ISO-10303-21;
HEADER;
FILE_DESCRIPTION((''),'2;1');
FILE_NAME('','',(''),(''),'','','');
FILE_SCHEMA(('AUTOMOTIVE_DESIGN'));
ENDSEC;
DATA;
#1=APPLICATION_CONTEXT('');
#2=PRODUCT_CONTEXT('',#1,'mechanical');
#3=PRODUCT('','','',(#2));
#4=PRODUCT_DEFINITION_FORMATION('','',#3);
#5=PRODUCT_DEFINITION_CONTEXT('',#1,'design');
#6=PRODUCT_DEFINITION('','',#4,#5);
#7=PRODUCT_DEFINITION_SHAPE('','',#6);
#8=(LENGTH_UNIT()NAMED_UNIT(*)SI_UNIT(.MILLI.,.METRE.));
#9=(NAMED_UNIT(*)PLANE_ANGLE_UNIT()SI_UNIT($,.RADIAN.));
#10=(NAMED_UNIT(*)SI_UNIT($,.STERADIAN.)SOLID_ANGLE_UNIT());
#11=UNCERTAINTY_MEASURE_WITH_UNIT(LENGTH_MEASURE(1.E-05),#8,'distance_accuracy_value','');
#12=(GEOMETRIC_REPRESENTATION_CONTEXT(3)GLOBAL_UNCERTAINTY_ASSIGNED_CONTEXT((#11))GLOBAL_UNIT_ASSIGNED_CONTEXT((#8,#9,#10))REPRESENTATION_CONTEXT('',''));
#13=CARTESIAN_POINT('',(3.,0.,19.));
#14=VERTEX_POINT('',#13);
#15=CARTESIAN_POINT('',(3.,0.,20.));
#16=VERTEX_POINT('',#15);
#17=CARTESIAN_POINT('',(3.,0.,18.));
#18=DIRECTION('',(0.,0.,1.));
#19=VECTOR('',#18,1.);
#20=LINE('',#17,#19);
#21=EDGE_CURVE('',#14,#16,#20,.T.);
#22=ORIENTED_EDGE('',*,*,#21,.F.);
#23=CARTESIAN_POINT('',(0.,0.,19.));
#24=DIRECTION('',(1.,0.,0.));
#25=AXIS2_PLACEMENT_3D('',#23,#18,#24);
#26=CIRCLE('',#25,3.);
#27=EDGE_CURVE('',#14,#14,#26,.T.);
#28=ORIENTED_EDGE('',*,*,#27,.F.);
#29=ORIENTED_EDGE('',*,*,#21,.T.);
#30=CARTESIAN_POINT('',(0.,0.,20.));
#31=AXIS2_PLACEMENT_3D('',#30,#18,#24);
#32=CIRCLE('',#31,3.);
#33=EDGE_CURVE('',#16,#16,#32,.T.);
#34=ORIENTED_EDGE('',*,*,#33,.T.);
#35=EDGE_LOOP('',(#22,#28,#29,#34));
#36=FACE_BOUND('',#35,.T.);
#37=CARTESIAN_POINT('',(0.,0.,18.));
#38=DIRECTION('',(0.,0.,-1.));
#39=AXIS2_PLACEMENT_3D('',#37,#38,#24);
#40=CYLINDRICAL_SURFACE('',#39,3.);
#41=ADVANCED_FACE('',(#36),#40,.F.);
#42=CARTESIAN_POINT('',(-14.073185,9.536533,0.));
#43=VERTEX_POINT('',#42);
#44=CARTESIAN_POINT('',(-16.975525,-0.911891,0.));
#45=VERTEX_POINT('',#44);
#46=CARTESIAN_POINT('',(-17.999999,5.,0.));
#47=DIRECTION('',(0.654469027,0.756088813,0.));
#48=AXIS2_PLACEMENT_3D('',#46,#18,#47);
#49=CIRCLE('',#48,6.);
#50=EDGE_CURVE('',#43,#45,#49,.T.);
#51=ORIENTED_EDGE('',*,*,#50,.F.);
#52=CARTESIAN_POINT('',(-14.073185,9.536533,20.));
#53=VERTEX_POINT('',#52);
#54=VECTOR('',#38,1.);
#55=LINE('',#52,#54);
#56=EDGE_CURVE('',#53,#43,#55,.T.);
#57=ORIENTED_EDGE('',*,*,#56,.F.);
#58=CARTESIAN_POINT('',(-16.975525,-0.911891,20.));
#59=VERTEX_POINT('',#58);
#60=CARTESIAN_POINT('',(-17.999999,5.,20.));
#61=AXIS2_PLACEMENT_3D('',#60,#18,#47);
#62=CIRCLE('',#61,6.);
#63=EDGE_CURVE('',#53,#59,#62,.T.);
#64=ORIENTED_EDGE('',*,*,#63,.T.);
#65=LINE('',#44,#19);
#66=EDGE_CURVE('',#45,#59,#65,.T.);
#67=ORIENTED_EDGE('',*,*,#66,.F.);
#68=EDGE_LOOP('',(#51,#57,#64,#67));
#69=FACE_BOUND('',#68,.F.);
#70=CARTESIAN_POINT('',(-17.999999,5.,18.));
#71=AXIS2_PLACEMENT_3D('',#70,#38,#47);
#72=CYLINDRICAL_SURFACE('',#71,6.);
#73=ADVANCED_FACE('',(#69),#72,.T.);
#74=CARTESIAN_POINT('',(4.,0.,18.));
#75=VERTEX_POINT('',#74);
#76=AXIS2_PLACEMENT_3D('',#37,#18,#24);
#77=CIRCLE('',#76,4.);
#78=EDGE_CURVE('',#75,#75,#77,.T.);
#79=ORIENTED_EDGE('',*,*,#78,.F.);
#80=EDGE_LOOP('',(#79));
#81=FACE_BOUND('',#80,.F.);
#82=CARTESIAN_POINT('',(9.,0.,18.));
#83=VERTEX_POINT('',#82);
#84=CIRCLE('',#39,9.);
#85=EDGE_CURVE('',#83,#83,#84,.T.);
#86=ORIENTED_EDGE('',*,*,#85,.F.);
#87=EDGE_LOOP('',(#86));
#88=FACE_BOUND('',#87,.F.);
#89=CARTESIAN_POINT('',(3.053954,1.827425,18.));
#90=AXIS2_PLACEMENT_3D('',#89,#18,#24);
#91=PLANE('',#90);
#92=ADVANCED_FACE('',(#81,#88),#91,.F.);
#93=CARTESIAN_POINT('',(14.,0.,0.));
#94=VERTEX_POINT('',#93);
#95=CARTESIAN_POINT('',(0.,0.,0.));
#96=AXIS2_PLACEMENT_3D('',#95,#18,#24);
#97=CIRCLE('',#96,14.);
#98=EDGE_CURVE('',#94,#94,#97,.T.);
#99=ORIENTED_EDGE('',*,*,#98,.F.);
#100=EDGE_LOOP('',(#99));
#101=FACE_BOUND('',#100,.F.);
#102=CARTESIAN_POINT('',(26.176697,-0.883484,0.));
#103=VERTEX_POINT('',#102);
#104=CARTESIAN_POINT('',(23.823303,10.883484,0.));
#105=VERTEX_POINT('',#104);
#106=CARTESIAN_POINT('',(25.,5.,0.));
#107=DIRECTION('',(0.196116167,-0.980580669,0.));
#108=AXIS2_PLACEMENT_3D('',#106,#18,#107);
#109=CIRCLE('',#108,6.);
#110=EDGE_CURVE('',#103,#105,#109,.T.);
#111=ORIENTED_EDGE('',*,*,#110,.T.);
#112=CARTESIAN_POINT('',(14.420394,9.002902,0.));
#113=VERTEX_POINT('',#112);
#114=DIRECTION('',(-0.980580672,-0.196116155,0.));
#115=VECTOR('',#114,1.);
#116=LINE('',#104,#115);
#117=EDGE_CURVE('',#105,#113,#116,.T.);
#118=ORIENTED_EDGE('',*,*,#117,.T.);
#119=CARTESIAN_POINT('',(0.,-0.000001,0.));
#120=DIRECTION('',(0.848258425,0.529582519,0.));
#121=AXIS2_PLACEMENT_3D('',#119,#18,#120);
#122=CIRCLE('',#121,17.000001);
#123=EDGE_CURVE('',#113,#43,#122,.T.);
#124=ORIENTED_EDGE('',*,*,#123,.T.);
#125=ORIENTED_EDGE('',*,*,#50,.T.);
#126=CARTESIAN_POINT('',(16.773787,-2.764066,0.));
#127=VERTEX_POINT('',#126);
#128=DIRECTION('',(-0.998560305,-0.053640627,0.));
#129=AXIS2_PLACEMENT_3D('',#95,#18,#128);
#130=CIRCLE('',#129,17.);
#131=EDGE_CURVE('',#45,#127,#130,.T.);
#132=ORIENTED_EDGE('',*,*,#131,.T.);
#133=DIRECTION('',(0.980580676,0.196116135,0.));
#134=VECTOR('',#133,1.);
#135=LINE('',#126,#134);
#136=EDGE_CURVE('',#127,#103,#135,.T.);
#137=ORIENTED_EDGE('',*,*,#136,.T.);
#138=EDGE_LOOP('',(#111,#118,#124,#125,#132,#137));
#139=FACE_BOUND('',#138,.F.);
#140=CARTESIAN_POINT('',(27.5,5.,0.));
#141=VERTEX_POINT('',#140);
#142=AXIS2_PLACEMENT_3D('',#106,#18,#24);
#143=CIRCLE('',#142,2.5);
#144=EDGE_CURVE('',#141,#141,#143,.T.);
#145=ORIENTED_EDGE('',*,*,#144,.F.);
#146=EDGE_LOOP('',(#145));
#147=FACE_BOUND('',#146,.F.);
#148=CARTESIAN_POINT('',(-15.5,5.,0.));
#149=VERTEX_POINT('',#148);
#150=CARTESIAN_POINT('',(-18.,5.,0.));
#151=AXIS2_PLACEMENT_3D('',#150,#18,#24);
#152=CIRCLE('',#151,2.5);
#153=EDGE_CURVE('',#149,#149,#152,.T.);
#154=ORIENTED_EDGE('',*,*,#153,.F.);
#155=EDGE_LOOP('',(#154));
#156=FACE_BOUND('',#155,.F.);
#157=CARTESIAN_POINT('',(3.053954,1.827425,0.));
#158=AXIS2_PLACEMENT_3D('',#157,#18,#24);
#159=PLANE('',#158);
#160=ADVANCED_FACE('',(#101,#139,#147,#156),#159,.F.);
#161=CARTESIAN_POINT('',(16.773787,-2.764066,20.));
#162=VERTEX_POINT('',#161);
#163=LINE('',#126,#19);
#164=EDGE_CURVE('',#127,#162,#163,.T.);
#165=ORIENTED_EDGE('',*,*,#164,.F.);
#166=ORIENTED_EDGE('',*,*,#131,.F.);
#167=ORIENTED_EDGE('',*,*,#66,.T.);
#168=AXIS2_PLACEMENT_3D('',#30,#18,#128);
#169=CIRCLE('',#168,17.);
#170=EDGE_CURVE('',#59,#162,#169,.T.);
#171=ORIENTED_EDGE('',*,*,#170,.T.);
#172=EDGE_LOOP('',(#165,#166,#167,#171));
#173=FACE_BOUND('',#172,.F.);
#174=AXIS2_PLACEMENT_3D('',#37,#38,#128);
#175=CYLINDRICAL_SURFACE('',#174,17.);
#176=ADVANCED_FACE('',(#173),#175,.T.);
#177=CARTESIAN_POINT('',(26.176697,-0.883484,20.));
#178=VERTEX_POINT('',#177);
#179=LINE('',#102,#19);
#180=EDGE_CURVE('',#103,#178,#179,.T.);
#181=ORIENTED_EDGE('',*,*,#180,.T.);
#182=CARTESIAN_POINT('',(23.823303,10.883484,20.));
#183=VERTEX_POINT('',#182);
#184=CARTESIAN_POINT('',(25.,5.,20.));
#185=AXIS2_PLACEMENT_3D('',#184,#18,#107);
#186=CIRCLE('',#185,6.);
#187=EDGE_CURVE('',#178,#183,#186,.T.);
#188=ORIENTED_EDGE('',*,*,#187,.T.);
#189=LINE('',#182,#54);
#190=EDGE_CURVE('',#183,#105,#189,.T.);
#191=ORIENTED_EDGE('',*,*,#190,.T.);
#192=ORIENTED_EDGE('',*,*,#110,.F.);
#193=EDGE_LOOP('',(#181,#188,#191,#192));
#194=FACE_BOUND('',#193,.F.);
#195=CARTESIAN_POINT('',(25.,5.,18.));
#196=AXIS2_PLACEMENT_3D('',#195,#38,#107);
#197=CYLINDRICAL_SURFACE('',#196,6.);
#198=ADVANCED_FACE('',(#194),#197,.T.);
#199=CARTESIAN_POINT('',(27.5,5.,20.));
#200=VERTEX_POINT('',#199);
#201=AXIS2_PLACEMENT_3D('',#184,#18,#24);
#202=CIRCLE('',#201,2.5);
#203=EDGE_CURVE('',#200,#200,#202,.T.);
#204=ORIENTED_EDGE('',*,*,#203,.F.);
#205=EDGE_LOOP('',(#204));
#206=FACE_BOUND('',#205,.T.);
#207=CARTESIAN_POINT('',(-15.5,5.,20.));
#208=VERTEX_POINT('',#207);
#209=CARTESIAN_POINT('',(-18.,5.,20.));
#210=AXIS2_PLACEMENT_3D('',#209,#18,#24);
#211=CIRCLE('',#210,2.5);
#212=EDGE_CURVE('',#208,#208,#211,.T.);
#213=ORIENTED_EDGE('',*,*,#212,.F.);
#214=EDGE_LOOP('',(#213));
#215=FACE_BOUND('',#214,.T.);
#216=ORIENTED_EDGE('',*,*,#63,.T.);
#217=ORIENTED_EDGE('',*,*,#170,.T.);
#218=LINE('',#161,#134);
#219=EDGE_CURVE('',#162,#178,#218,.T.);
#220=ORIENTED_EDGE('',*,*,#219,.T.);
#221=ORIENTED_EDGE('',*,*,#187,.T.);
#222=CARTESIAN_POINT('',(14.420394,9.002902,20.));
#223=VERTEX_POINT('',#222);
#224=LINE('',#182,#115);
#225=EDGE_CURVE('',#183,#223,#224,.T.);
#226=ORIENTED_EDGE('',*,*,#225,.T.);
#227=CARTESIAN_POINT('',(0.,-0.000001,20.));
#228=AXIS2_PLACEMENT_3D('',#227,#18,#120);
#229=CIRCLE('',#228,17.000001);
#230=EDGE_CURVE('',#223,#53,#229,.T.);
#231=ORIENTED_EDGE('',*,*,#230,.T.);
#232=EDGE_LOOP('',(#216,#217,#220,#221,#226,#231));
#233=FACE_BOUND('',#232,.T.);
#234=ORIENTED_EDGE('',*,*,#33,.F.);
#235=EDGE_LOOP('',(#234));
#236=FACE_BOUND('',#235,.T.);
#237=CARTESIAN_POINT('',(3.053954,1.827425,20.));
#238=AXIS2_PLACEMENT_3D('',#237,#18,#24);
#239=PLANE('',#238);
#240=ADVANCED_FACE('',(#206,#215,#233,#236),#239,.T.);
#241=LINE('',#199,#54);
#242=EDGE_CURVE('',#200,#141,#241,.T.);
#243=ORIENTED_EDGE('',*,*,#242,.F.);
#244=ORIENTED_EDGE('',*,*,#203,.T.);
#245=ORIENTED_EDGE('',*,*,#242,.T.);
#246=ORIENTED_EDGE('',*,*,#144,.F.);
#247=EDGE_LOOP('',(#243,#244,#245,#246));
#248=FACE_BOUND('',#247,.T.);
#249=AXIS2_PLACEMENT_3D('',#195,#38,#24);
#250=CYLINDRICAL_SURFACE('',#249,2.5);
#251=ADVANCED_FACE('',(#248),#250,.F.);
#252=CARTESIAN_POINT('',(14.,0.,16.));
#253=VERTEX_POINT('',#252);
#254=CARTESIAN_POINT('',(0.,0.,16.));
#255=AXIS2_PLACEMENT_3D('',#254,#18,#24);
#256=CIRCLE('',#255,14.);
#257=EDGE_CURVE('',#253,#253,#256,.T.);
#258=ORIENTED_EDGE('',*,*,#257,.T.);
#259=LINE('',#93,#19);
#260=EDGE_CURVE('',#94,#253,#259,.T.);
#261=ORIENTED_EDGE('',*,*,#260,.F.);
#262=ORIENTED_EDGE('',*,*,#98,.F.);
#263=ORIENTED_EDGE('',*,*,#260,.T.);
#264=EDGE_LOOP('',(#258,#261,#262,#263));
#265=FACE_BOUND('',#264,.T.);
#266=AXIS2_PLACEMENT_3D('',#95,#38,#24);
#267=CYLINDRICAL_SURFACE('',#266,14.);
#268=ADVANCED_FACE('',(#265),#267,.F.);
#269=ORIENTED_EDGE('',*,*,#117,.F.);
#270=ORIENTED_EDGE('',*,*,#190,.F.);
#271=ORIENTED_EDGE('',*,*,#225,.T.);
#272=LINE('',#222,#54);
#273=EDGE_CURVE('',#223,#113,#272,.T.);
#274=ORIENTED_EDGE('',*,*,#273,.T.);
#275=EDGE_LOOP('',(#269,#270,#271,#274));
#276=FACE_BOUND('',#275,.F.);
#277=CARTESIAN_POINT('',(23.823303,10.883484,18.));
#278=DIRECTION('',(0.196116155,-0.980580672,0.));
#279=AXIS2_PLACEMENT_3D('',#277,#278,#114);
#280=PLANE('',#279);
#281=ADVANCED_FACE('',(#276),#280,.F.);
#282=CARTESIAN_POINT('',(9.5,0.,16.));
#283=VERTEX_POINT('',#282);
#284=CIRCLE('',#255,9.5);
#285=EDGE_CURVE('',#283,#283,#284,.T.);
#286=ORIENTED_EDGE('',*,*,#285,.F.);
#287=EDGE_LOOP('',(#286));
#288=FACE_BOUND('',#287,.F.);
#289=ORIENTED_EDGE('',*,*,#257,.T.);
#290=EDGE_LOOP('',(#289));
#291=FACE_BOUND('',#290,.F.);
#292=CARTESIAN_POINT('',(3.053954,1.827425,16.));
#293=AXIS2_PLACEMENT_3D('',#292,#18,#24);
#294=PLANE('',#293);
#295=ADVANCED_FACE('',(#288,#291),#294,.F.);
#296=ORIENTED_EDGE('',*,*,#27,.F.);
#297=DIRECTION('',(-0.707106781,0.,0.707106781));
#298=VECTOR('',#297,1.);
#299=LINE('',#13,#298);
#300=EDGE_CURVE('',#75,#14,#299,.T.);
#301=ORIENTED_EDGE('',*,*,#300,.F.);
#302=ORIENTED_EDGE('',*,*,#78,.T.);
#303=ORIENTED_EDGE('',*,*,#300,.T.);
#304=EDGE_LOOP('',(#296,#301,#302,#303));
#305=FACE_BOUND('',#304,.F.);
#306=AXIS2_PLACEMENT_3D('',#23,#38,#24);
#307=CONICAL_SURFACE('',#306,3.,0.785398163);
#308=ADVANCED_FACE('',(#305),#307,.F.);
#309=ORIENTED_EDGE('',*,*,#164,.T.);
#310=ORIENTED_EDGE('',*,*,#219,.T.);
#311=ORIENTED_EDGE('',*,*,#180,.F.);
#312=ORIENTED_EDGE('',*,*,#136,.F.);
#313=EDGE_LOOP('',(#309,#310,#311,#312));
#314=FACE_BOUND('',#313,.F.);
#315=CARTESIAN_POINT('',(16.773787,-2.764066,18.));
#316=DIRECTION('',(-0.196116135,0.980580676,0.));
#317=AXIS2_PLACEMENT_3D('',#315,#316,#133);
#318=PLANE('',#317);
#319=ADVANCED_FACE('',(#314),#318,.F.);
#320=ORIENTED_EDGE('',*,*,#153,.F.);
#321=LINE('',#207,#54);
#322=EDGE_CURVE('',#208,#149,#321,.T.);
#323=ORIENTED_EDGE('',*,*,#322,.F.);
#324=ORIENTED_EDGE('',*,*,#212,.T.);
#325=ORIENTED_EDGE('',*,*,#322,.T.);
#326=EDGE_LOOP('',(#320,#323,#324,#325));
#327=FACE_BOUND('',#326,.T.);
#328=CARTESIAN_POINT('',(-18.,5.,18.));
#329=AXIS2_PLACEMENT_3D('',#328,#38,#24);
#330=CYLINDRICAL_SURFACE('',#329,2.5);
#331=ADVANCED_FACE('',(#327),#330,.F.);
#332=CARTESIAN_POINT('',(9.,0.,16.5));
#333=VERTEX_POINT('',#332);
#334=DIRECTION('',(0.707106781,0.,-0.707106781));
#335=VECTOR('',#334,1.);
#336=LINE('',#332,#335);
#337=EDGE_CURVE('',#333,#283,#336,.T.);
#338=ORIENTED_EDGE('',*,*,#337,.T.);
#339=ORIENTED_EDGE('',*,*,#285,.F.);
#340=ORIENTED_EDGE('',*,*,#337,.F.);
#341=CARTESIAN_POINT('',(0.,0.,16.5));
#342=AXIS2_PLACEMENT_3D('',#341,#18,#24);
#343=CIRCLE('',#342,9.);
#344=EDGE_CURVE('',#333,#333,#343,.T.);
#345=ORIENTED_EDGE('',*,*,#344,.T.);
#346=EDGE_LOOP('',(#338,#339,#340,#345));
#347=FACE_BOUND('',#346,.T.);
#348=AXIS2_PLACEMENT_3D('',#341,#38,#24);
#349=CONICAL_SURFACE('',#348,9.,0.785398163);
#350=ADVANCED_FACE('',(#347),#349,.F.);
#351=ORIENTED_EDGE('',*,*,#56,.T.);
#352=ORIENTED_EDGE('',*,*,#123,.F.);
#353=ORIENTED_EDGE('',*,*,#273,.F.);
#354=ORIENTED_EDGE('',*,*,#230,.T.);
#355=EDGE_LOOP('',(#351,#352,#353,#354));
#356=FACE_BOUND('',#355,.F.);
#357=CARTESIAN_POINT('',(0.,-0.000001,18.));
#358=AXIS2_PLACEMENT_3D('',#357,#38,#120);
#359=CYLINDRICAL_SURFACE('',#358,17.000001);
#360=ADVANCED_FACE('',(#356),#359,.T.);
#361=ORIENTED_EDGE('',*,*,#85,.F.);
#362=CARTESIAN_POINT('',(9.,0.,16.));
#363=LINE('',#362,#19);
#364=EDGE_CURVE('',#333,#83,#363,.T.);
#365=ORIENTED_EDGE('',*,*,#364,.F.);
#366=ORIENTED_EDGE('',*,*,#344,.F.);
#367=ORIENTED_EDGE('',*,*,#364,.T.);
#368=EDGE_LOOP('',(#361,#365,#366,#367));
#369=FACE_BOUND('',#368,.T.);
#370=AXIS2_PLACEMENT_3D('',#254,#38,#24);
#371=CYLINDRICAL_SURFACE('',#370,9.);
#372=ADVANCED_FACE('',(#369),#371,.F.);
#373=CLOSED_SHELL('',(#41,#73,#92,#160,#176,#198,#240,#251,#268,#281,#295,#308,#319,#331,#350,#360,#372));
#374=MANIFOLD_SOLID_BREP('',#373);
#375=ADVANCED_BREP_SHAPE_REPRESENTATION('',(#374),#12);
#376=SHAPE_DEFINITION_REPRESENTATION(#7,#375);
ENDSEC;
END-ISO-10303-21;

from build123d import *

# Parameters (mm, degrees)
SKETCH_R        = 14
SKETCH_R_2      = 2.5
PAD_DEPTH       = 16
SKETCH001_R     = 9
SKETCH001_R_2   = 2.5
PAD001_DEPTH    = 2.5
SKETCH002_R     = 3
SKETCH002_R_2   = 2.5
PAD002_DEPTH    = 2
CHAMFER_SIZE    = 0.5
CHAMFER001_SIZE = 1


with BuildPart() as part:
    # Sketch → Pad (new body)
    with BuildSketch(Plane.XY):
        with BuildLine():
            ThreePointArc((-14.073185, 9.536533), (-23.781107, 6.605863), (-16.975525, -0.911891))
            ThreePointArc((-16.975525, -0.911891), (-0.931565, -16.974457), (16.773787, -2.764066))
            Line((16.773787, -2.764066), (26.176697, -0.883484))
            ThreePointArc((26.176697, -0.883484), (30.883484, 6.176697), (23.823303, 10.883484))
            Line((23.823303, 10.883484), (14.420394, 9.002902))
            ThreePointArc((14.420394, 9.002902), (0.318322, 16.997019), (-14.073185, 9.536533))
        make_face()
        Circle(SKETCH_R, mode=Mode.SUBTRACT)
        with Locations((25, 5)):
            Circle(SKETCH_R_2, mode=Mode.SUBTRACT)
        with Locations((-18, 5)):
            Circle(SKETCH_R_2, mode=Mode.SUBTRACT)
    extrude(amount=PAD_DEPTH)

    # Sketch001 → Pad001 (join)
    with BuildSketch(Plane.XY.offset(16)):
        with BuildLine():
            ThreePointArc((-14.073185, 9.536533), (-23.781107, 6.605863), (-16.975525, -0.911891))
            ThreePointArc((-16.975525, -0.911891), (-0.931565, -16.974457), (16.773787, -2.764066))
            Line((16.773787, -2.764066), (26.176697, -0.883484))
            ThreePointArc((26.176697, -0.883484), (30.883484, 6.176697), (23.823303, 10.883484))
            Line((23.823303, 10.883484), (14.420394, 9.002902))
            ThreePointArc((14.420394, 9.002902), (0.318322, 16.997019), (-14.073185, 9.536533))
        make_face()
        Circle(SKETCH001_R, mode=Mode.SUBTRACT)
        with Locations((25, 5)):
            Circle(SKETCH001_R_2, mode=Mode.SUBTRACT)
        with Locations((-18, 5)):
            Circle(SKETCH001_R_2, mode=Mode.SUBTRACT)
    extrude(amount=PAD001_DEPTH)

    # Sketch002 → Pad002 (join)
    with BuildSketch(Plane.XY.offset(18)):
        with BuildLine():
            ThreePointArc((-14.073185, 9.536533), (-23.781107, 6.605863), (-16.975525, -0.911891))
            ThreePointArc((-16.975525, -0.911891), (-0.931565, -16.974457), (16.773787, -2.764066))
            Line((16.773787, -2.764066), (26.176697, -0.883484))
            ThreePointArc((26.176697, -0.883484), (30.883484, 6.176697), (23.823303, 10.883484))
            Line((23.823303, 10.883484), (14.420394, 9.002902))
            ThreePointArc((14.420394, 9.002902), (0.318322, 16.997019), (-14.073185, 9.536533))
        make_face()
        Circle(SKETCH002_R, mode=Mode.SUBTRACT)
        with Locations((25, 5)):
            Circle(SKETCH002_R_2, mode=Mode.SUBTRACT)
        with Locations((-18, 5)):
            Circle(SKETCH002_R_2, mode=Mode.SUBTRACT)
    extrude(amount=PAD002_DEPTH)

    # Chamfer
    chamfer_edges = [part.edges().sort_by_distance(p)[0] for p in [
        (-9, 0, 16),
    ]]
    chamfer(chamfer_edges, length=CHAMFER_SIZE)

    # Chamfer001
    chamfer001_edges = [part.edges().sort_by_distance(p)[0] for p in [
        (-3, 0, 18),
    ]]
    chamfer(chamfer001_edges, length=CHAMFER001_SIZE)


solid = part.part
